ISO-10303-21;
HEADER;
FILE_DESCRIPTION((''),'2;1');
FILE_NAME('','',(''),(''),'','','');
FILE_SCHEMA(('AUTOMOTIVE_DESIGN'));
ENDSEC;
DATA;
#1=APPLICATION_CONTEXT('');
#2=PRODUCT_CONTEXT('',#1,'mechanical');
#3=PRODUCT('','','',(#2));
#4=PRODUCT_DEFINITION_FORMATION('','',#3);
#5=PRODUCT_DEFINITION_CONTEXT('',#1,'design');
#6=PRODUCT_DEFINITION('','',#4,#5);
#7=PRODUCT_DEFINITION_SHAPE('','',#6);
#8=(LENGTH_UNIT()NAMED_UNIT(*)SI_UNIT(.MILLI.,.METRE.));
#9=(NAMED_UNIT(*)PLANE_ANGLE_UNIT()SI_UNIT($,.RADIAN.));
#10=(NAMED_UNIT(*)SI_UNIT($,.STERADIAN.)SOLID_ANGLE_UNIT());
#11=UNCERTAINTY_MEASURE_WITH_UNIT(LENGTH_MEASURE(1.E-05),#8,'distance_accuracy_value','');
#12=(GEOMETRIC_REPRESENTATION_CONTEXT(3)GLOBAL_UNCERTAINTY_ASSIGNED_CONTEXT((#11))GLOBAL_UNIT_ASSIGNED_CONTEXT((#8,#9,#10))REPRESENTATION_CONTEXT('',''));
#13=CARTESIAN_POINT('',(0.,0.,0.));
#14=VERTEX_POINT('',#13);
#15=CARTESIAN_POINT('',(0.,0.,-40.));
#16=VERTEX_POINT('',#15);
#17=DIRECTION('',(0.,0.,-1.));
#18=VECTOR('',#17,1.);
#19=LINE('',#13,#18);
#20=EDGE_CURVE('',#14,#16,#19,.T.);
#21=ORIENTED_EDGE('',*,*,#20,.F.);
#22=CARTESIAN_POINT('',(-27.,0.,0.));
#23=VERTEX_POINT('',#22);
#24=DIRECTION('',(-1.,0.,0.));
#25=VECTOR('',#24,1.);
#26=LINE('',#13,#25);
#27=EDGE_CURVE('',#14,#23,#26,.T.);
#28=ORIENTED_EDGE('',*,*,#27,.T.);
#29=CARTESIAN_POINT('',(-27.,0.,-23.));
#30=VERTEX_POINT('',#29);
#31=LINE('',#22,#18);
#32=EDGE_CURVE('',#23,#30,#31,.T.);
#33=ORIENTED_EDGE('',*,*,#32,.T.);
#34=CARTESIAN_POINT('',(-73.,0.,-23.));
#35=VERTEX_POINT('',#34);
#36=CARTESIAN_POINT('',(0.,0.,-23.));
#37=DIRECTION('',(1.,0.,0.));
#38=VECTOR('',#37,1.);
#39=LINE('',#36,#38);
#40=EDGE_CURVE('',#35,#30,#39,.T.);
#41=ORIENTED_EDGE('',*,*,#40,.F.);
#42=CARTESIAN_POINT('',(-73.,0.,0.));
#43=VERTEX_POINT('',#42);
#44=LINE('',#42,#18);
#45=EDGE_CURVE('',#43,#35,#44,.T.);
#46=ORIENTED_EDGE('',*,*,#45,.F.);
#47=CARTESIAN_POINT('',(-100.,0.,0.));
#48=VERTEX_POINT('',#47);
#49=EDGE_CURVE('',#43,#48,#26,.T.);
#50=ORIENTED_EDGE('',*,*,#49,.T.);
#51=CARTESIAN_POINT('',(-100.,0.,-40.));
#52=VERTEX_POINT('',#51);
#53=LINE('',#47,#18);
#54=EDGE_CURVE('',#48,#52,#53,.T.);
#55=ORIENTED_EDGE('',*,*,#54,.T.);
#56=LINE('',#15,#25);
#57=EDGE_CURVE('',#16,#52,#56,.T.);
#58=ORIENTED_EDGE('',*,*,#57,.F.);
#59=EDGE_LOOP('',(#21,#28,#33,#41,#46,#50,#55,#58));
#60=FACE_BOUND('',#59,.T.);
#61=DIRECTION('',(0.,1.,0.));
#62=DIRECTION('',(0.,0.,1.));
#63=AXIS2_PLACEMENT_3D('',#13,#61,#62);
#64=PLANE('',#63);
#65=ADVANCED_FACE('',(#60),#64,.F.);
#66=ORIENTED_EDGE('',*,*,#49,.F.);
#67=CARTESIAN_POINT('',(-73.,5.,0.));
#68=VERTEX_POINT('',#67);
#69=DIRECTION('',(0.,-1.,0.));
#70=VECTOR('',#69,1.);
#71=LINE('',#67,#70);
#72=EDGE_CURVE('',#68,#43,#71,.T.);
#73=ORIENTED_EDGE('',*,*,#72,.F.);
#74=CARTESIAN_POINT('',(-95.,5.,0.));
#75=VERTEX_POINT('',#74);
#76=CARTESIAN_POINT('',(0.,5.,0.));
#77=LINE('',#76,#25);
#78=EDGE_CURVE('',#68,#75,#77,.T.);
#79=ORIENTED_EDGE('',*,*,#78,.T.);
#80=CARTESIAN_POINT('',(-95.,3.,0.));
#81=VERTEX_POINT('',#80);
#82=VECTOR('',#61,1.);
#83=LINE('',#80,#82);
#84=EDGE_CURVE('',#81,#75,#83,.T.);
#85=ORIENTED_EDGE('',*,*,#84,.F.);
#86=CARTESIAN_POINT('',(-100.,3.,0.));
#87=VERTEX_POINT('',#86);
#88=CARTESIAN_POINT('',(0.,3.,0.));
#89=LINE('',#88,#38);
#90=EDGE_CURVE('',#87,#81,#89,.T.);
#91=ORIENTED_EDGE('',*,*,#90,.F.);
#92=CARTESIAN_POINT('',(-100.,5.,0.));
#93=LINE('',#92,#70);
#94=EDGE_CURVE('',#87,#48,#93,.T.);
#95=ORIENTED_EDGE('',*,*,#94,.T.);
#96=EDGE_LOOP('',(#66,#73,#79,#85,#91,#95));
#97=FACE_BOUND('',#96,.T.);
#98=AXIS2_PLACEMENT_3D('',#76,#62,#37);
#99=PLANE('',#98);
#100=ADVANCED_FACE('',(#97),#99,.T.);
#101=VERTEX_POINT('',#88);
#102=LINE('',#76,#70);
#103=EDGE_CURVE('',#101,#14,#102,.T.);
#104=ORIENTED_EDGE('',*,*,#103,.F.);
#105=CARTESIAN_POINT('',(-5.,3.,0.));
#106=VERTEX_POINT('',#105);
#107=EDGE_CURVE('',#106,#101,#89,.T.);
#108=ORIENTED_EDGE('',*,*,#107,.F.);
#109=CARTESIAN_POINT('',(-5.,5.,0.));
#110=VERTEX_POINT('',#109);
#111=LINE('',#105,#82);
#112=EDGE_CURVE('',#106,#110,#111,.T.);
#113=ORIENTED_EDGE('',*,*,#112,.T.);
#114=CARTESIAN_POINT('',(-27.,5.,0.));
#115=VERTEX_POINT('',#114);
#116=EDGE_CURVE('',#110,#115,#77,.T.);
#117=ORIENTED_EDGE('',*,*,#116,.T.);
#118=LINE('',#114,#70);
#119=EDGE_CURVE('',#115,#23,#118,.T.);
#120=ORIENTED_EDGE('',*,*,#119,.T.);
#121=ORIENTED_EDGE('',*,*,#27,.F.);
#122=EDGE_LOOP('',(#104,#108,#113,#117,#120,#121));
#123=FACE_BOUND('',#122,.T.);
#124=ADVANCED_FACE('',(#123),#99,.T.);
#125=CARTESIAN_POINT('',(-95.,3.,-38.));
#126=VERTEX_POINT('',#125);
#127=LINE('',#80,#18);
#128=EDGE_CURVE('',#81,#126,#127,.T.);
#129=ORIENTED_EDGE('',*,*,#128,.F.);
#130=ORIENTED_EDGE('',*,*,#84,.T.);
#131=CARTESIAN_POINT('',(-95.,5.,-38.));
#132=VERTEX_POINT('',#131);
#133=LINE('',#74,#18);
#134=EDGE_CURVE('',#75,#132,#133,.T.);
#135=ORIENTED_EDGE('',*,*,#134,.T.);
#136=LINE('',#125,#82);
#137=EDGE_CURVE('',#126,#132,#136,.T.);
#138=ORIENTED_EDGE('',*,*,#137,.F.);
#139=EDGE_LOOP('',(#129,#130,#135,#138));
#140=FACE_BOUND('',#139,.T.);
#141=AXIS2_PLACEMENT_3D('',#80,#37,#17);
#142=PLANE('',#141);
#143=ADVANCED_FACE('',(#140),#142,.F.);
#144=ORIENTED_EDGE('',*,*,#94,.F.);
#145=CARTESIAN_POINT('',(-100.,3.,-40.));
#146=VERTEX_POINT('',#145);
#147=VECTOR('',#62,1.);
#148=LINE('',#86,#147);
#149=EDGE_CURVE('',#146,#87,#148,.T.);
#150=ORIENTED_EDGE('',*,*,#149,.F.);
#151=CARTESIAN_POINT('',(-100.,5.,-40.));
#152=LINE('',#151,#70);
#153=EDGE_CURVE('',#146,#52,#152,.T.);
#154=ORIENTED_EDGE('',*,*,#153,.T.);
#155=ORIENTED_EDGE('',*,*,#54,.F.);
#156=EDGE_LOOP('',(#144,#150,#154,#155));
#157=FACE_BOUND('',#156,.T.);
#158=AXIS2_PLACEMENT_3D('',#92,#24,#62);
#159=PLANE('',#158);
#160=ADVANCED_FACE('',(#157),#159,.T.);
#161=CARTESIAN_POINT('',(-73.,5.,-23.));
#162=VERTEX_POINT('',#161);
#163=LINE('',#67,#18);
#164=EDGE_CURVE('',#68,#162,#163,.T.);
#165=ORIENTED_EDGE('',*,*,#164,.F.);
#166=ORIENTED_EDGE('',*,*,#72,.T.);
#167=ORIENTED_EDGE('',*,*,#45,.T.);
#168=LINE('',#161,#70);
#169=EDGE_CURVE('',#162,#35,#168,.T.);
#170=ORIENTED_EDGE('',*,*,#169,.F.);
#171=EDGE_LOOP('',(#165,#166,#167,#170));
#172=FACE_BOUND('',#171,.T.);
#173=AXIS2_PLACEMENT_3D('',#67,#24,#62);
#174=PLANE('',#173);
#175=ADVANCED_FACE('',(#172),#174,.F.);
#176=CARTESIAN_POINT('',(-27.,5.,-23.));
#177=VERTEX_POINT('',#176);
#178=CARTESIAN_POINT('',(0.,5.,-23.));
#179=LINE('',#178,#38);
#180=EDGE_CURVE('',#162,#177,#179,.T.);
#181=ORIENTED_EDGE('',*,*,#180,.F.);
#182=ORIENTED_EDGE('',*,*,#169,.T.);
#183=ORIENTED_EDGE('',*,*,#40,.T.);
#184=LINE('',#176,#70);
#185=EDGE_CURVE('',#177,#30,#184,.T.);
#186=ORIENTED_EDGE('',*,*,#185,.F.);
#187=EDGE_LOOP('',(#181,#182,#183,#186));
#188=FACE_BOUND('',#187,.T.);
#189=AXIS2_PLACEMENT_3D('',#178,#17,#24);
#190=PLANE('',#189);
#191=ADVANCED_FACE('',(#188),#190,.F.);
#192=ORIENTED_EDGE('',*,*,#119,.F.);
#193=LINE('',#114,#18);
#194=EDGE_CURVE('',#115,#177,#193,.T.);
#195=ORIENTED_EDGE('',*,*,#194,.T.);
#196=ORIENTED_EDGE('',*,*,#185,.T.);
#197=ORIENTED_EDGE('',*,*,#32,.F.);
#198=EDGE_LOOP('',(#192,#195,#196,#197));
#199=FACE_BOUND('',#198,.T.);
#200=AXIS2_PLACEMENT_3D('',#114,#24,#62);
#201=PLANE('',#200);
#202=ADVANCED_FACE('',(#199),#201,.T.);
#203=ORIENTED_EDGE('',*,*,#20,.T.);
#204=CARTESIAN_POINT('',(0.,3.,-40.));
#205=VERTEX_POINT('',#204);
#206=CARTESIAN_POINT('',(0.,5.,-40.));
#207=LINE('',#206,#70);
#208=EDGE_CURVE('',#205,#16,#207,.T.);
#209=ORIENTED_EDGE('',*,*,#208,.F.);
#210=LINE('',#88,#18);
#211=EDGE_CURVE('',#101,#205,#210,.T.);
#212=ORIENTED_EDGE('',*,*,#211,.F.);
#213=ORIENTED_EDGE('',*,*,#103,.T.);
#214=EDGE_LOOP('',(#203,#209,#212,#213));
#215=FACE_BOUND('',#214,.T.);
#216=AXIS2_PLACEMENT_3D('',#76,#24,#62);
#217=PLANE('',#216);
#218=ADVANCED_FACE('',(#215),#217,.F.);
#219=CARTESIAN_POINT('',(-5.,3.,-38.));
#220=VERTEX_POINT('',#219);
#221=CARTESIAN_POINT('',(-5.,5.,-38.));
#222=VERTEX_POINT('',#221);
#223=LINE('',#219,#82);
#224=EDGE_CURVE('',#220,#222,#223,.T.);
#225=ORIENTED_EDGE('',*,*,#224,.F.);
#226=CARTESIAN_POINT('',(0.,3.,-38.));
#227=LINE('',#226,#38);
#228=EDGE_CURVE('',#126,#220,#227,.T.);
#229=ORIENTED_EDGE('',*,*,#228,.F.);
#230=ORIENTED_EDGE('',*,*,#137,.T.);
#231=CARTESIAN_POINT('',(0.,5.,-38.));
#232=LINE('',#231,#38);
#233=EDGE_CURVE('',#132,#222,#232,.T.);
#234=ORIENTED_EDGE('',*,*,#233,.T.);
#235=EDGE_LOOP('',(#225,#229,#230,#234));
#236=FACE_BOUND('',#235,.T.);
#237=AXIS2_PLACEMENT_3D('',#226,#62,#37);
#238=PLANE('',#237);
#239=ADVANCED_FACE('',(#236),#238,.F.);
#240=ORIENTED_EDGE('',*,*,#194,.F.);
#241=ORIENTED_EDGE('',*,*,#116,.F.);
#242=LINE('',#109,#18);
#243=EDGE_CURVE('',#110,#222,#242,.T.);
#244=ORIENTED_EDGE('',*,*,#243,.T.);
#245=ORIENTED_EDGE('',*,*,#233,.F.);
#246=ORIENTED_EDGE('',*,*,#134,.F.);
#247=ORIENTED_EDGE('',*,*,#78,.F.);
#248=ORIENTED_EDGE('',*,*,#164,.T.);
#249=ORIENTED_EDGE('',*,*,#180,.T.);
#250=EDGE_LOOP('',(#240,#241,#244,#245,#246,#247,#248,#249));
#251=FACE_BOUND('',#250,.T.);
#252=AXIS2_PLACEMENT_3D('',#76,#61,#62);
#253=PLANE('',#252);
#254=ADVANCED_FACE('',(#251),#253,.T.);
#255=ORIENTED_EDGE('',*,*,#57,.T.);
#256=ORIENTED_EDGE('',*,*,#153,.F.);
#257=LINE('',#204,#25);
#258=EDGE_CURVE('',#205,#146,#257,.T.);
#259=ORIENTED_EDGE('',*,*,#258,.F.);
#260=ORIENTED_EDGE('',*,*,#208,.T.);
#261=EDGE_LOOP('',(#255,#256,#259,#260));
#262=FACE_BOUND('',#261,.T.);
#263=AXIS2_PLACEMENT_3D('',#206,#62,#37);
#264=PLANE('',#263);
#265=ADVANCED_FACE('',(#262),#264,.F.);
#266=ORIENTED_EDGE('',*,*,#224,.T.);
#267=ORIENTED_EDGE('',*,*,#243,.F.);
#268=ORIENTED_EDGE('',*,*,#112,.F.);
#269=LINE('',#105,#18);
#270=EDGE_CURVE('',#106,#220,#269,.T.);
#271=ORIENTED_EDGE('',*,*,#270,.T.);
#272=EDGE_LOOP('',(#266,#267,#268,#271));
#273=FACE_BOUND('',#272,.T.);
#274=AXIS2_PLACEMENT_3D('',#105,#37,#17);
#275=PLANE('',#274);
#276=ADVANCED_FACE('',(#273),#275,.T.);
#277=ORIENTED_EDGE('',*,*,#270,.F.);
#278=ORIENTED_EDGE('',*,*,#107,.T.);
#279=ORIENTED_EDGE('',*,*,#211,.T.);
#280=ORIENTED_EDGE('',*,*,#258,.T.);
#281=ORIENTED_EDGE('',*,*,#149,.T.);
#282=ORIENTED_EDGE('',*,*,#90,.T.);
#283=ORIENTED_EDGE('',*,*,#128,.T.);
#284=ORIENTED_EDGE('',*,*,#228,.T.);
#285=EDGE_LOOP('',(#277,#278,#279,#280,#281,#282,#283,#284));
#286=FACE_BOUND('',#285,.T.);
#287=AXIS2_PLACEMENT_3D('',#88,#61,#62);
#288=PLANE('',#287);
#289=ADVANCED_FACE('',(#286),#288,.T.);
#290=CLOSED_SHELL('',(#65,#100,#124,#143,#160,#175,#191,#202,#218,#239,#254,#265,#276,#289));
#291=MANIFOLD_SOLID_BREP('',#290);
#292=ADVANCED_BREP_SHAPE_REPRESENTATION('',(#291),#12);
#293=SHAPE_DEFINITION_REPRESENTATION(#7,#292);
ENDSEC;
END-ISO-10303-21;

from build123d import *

# Parameters (mm, degrees)
BOSS_EXTRUDE1_DEPTH = 5
SKETCH2_W           = 90
SKETCH2_H           = 2
CUT_EXTRUDE1_DEPTH  = 2


with BuildPart() as part:
    # Sketch1 → Boss-Extrude1 (new body)
    with BuildSketch(Plane(origin=(0, 0, 0), x_dir=(1, 0, 0), z_dir=(0, 1, 0))):
        Polygon((-27, 0), (0, 0), (0, 40), (-100, 40), (-100, 0), (-73, 0), (-73, 23), (-27, 23), align=None)
    extrude(amount=BOSS_EXTRUDE1_DEPTH)

    # Sketch2 → Cut-Extrude1 (cut)
    with BuildSketch(Plane(origin=(0, 5, 0), x_dir=(1, 0, 0), z_dir=(0, 1, 0))):
        Polygon((-100, 40), (-100, 0), (-95, 0), (-95, 38), (-95, 40), align=None)
        with Locations((-50, 39)):
            Rectangle(SKETCH2_W, SKETCH2_H)
        Polygon((-5, 40), (-5, 38), (-5, 0), (0, 0), (0, 40), align=None)
    extrude(amount=-CUT_EXTRUDE1_DEPTH, mode=Mode.SUBTRACT)


solid = part.part
